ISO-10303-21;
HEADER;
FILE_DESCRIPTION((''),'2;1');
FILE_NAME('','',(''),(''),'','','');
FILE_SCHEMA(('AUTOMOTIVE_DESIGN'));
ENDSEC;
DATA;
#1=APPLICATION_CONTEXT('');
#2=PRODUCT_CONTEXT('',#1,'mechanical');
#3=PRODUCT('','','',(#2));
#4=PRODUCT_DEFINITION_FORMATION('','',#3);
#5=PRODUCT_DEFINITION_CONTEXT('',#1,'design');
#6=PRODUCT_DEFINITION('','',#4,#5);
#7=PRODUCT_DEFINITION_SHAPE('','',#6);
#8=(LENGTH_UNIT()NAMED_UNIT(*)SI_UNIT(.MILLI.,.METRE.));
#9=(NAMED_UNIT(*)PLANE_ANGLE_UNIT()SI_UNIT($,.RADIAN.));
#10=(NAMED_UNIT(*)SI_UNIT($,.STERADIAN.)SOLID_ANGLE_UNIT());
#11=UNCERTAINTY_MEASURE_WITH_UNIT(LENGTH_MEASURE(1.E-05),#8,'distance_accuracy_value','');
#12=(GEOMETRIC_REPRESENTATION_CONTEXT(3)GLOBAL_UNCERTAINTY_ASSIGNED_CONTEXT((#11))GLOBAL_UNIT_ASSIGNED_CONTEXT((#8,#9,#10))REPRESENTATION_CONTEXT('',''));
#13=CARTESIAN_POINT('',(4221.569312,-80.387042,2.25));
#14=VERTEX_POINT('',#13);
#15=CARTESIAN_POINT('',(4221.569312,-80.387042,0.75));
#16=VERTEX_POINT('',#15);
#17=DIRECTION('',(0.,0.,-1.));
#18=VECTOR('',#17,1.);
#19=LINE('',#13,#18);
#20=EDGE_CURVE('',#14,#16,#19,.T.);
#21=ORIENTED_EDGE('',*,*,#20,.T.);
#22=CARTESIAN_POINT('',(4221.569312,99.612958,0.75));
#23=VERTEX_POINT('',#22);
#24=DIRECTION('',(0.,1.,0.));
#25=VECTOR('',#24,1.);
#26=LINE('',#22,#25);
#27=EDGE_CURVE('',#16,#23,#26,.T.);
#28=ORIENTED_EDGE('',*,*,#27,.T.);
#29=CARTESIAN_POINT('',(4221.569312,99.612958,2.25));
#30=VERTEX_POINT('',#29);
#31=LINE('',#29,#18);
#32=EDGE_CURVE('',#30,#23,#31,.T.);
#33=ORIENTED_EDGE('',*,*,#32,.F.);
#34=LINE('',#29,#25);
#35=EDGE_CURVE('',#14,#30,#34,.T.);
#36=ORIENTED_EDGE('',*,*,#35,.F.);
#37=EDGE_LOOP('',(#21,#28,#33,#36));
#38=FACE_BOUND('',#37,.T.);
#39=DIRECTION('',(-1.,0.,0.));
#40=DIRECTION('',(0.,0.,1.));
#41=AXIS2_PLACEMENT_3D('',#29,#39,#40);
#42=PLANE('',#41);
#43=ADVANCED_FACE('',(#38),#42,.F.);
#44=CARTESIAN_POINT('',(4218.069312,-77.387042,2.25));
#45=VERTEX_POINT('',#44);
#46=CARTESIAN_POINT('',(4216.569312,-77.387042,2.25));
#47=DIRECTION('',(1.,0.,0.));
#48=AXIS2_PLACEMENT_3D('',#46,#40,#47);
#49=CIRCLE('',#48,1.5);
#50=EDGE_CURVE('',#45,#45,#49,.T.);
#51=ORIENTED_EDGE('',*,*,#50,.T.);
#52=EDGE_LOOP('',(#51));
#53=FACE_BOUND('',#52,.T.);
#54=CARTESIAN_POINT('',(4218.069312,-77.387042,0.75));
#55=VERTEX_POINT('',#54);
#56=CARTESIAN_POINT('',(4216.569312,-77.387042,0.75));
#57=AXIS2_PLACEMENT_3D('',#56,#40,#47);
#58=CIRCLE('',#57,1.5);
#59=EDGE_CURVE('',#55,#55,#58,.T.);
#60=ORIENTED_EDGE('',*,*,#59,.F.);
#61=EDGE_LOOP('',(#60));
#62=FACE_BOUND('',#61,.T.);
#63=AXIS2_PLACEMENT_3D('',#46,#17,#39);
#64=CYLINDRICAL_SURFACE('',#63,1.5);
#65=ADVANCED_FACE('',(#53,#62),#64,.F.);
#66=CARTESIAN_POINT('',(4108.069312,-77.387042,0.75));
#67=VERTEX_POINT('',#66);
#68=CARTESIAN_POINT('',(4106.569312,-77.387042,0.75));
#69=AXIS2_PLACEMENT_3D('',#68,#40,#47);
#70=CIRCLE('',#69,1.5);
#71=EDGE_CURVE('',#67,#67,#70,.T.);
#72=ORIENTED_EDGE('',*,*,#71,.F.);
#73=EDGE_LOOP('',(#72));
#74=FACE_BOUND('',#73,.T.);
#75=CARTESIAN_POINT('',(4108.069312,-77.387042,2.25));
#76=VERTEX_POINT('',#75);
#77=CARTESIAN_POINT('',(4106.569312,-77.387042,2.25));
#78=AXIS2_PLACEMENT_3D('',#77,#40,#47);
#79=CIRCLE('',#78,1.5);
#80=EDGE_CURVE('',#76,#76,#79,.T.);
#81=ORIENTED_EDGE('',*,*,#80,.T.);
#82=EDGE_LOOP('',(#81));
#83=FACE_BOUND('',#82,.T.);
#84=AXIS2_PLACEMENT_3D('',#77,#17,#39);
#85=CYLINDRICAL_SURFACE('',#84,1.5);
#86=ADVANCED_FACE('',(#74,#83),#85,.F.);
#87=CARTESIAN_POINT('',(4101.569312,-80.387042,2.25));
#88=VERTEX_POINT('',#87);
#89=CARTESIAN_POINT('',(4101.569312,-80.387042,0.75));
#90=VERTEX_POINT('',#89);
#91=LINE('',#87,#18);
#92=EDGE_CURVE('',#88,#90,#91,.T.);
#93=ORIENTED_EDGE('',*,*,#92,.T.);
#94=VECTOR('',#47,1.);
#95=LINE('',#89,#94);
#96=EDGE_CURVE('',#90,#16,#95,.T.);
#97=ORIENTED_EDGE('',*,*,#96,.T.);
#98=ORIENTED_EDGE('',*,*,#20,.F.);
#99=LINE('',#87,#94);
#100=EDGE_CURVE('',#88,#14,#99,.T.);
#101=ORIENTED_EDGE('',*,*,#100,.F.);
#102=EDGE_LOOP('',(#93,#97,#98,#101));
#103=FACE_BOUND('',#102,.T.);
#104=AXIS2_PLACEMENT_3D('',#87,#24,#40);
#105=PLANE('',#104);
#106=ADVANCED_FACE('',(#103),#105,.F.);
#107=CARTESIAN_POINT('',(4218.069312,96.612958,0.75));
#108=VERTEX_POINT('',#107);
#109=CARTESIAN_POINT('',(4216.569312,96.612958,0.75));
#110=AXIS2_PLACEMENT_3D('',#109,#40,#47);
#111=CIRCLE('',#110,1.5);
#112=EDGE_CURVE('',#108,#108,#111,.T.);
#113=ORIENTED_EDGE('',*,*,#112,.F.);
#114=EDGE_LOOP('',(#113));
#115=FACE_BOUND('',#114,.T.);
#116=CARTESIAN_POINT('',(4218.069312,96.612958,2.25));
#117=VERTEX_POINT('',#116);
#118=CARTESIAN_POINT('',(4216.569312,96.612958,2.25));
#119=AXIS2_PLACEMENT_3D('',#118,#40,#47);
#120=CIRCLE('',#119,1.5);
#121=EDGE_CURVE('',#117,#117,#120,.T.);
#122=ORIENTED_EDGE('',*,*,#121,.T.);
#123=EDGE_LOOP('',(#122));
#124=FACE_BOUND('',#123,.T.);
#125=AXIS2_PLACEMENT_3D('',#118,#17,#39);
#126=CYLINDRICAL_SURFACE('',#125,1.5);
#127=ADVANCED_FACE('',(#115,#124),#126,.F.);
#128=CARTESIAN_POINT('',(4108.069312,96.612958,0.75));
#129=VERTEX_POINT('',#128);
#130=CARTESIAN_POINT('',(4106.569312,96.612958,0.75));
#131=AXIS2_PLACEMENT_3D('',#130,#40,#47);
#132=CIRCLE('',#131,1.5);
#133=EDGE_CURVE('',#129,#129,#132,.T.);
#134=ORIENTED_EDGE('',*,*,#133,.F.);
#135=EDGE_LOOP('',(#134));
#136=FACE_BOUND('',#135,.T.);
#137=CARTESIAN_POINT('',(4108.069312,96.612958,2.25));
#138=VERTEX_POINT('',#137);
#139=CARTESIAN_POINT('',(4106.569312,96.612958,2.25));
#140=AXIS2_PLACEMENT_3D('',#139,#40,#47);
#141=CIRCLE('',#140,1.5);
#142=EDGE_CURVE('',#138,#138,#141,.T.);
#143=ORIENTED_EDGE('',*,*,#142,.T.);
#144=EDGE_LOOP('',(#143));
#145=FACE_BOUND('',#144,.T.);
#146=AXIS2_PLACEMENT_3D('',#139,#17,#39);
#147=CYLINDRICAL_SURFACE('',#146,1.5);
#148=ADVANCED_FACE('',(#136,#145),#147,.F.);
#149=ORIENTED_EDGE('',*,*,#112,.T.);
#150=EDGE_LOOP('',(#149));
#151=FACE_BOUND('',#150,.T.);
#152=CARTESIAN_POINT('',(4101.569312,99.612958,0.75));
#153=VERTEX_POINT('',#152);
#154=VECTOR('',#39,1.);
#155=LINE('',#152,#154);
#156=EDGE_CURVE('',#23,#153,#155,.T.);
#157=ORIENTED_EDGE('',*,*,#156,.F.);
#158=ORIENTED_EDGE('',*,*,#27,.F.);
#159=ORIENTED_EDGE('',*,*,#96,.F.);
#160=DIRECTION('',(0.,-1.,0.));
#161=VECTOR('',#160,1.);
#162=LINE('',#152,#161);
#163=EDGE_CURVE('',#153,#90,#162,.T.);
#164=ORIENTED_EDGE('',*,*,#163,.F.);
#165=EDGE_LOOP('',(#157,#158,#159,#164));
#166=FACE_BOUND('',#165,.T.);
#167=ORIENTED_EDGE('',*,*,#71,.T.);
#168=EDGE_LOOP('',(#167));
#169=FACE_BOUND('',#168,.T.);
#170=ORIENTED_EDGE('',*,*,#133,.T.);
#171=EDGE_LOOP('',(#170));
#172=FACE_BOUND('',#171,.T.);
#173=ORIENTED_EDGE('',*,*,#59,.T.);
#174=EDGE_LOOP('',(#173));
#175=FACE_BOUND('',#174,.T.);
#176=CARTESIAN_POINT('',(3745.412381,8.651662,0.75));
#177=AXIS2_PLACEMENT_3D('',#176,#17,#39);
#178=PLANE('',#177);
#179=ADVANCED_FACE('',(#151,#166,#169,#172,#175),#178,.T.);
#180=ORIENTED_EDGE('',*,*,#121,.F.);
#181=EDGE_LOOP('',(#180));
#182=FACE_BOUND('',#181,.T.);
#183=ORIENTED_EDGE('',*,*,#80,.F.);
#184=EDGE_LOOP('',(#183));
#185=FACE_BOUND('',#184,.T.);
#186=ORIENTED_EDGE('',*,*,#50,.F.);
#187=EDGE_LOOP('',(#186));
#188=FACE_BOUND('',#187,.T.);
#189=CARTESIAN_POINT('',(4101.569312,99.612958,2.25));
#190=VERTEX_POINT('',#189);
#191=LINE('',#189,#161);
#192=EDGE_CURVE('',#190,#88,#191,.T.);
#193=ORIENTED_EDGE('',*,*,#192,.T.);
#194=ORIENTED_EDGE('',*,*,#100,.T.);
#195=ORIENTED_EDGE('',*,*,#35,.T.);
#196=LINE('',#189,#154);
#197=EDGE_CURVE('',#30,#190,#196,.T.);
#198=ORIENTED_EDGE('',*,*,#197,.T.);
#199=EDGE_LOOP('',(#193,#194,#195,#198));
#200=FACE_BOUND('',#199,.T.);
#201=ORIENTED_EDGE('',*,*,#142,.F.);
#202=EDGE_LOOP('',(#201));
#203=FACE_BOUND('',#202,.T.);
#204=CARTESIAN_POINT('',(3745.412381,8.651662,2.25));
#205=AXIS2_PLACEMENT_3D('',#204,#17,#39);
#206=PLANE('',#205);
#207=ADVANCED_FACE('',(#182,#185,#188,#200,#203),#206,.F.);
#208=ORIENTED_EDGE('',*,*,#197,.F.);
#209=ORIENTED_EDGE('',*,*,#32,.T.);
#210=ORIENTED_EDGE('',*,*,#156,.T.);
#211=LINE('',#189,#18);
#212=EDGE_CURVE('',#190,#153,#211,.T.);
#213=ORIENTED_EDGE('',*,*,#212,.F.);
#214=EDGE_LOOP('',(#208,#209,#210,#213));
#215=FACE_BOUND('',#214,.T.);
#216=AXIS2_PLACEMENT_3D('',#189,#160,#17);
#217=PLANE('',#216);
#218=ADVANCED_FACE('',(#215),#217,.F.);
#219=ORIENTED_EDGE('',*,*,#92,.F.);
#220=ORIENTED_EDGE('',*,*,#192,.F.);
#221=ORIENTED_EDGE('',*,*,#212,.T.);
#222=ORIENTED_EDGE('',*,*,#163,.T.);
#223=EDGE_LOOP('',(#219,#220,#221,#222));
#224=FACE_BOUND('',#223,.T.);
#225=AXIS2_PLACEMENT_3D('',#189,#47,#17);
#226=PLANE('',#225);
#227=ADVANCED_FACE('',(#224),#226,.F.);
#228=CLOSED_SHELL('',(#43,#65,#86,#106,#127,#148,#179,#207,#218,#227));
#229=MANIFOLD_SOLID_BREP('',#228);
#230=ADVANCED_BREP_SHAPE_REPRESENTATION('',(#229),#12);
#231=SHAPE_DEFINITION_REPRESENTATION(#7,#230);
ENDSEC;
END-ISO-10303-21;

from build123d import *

# Parameters (mm, degrees)
SKETCH_1_W      = 1200
SKETCH_1_H      = 1800
SKETCH_1_R      = 15
EXTRUDE_1_DEPTH = 3
SCALE_1_SCALE_X = 0.1
SCALE_1_SCALE_Y = 0.1
SCALE_1_SCALE_Z = 0.5


with BuildPart() as part:
    # 草图1 → 凸台-拉伸1 (new body)
    with BuildSketch(Plane.XY):
        with Locations((4161.569311854, 9.612957927)):
            Rectangle(SKETCH_1_W, SKETCH_1_H)
        with Locations((3611.569311854, 879.612957927)):
            Circle(SKETCH_1_R, mode=Mode.SUBTRACT)
        with Locations((4711.569311854, 879.612957927)):
            Circle(SKETCH_1_R, mode=Mode.SUBTRACT)
        with Locations((3611.569311854, -860.387042073)):
            Circle(SKETCH_1_R, mode=Mode.SUBTRACT)
        with Locations((4711.569311854, -860.387042073)):
            Circle(SKETCH_1_R, mode=Mode.SUBTRACT)
    extrude(amount=EXTRUDE_1_DEPTH)


with BuildPart() as part_1:
    # 缩放比例1: scaled about (4161.569311854, 9.612957927, 1.5)
    add(part.part.scale((SCALE_1_SCALE_X, SCALE_1_SCALE_Y, SCALE_1_SCALE_Z), about=(4161.569311854, 9.612957927, 1.5)))


solid = part_1.part
